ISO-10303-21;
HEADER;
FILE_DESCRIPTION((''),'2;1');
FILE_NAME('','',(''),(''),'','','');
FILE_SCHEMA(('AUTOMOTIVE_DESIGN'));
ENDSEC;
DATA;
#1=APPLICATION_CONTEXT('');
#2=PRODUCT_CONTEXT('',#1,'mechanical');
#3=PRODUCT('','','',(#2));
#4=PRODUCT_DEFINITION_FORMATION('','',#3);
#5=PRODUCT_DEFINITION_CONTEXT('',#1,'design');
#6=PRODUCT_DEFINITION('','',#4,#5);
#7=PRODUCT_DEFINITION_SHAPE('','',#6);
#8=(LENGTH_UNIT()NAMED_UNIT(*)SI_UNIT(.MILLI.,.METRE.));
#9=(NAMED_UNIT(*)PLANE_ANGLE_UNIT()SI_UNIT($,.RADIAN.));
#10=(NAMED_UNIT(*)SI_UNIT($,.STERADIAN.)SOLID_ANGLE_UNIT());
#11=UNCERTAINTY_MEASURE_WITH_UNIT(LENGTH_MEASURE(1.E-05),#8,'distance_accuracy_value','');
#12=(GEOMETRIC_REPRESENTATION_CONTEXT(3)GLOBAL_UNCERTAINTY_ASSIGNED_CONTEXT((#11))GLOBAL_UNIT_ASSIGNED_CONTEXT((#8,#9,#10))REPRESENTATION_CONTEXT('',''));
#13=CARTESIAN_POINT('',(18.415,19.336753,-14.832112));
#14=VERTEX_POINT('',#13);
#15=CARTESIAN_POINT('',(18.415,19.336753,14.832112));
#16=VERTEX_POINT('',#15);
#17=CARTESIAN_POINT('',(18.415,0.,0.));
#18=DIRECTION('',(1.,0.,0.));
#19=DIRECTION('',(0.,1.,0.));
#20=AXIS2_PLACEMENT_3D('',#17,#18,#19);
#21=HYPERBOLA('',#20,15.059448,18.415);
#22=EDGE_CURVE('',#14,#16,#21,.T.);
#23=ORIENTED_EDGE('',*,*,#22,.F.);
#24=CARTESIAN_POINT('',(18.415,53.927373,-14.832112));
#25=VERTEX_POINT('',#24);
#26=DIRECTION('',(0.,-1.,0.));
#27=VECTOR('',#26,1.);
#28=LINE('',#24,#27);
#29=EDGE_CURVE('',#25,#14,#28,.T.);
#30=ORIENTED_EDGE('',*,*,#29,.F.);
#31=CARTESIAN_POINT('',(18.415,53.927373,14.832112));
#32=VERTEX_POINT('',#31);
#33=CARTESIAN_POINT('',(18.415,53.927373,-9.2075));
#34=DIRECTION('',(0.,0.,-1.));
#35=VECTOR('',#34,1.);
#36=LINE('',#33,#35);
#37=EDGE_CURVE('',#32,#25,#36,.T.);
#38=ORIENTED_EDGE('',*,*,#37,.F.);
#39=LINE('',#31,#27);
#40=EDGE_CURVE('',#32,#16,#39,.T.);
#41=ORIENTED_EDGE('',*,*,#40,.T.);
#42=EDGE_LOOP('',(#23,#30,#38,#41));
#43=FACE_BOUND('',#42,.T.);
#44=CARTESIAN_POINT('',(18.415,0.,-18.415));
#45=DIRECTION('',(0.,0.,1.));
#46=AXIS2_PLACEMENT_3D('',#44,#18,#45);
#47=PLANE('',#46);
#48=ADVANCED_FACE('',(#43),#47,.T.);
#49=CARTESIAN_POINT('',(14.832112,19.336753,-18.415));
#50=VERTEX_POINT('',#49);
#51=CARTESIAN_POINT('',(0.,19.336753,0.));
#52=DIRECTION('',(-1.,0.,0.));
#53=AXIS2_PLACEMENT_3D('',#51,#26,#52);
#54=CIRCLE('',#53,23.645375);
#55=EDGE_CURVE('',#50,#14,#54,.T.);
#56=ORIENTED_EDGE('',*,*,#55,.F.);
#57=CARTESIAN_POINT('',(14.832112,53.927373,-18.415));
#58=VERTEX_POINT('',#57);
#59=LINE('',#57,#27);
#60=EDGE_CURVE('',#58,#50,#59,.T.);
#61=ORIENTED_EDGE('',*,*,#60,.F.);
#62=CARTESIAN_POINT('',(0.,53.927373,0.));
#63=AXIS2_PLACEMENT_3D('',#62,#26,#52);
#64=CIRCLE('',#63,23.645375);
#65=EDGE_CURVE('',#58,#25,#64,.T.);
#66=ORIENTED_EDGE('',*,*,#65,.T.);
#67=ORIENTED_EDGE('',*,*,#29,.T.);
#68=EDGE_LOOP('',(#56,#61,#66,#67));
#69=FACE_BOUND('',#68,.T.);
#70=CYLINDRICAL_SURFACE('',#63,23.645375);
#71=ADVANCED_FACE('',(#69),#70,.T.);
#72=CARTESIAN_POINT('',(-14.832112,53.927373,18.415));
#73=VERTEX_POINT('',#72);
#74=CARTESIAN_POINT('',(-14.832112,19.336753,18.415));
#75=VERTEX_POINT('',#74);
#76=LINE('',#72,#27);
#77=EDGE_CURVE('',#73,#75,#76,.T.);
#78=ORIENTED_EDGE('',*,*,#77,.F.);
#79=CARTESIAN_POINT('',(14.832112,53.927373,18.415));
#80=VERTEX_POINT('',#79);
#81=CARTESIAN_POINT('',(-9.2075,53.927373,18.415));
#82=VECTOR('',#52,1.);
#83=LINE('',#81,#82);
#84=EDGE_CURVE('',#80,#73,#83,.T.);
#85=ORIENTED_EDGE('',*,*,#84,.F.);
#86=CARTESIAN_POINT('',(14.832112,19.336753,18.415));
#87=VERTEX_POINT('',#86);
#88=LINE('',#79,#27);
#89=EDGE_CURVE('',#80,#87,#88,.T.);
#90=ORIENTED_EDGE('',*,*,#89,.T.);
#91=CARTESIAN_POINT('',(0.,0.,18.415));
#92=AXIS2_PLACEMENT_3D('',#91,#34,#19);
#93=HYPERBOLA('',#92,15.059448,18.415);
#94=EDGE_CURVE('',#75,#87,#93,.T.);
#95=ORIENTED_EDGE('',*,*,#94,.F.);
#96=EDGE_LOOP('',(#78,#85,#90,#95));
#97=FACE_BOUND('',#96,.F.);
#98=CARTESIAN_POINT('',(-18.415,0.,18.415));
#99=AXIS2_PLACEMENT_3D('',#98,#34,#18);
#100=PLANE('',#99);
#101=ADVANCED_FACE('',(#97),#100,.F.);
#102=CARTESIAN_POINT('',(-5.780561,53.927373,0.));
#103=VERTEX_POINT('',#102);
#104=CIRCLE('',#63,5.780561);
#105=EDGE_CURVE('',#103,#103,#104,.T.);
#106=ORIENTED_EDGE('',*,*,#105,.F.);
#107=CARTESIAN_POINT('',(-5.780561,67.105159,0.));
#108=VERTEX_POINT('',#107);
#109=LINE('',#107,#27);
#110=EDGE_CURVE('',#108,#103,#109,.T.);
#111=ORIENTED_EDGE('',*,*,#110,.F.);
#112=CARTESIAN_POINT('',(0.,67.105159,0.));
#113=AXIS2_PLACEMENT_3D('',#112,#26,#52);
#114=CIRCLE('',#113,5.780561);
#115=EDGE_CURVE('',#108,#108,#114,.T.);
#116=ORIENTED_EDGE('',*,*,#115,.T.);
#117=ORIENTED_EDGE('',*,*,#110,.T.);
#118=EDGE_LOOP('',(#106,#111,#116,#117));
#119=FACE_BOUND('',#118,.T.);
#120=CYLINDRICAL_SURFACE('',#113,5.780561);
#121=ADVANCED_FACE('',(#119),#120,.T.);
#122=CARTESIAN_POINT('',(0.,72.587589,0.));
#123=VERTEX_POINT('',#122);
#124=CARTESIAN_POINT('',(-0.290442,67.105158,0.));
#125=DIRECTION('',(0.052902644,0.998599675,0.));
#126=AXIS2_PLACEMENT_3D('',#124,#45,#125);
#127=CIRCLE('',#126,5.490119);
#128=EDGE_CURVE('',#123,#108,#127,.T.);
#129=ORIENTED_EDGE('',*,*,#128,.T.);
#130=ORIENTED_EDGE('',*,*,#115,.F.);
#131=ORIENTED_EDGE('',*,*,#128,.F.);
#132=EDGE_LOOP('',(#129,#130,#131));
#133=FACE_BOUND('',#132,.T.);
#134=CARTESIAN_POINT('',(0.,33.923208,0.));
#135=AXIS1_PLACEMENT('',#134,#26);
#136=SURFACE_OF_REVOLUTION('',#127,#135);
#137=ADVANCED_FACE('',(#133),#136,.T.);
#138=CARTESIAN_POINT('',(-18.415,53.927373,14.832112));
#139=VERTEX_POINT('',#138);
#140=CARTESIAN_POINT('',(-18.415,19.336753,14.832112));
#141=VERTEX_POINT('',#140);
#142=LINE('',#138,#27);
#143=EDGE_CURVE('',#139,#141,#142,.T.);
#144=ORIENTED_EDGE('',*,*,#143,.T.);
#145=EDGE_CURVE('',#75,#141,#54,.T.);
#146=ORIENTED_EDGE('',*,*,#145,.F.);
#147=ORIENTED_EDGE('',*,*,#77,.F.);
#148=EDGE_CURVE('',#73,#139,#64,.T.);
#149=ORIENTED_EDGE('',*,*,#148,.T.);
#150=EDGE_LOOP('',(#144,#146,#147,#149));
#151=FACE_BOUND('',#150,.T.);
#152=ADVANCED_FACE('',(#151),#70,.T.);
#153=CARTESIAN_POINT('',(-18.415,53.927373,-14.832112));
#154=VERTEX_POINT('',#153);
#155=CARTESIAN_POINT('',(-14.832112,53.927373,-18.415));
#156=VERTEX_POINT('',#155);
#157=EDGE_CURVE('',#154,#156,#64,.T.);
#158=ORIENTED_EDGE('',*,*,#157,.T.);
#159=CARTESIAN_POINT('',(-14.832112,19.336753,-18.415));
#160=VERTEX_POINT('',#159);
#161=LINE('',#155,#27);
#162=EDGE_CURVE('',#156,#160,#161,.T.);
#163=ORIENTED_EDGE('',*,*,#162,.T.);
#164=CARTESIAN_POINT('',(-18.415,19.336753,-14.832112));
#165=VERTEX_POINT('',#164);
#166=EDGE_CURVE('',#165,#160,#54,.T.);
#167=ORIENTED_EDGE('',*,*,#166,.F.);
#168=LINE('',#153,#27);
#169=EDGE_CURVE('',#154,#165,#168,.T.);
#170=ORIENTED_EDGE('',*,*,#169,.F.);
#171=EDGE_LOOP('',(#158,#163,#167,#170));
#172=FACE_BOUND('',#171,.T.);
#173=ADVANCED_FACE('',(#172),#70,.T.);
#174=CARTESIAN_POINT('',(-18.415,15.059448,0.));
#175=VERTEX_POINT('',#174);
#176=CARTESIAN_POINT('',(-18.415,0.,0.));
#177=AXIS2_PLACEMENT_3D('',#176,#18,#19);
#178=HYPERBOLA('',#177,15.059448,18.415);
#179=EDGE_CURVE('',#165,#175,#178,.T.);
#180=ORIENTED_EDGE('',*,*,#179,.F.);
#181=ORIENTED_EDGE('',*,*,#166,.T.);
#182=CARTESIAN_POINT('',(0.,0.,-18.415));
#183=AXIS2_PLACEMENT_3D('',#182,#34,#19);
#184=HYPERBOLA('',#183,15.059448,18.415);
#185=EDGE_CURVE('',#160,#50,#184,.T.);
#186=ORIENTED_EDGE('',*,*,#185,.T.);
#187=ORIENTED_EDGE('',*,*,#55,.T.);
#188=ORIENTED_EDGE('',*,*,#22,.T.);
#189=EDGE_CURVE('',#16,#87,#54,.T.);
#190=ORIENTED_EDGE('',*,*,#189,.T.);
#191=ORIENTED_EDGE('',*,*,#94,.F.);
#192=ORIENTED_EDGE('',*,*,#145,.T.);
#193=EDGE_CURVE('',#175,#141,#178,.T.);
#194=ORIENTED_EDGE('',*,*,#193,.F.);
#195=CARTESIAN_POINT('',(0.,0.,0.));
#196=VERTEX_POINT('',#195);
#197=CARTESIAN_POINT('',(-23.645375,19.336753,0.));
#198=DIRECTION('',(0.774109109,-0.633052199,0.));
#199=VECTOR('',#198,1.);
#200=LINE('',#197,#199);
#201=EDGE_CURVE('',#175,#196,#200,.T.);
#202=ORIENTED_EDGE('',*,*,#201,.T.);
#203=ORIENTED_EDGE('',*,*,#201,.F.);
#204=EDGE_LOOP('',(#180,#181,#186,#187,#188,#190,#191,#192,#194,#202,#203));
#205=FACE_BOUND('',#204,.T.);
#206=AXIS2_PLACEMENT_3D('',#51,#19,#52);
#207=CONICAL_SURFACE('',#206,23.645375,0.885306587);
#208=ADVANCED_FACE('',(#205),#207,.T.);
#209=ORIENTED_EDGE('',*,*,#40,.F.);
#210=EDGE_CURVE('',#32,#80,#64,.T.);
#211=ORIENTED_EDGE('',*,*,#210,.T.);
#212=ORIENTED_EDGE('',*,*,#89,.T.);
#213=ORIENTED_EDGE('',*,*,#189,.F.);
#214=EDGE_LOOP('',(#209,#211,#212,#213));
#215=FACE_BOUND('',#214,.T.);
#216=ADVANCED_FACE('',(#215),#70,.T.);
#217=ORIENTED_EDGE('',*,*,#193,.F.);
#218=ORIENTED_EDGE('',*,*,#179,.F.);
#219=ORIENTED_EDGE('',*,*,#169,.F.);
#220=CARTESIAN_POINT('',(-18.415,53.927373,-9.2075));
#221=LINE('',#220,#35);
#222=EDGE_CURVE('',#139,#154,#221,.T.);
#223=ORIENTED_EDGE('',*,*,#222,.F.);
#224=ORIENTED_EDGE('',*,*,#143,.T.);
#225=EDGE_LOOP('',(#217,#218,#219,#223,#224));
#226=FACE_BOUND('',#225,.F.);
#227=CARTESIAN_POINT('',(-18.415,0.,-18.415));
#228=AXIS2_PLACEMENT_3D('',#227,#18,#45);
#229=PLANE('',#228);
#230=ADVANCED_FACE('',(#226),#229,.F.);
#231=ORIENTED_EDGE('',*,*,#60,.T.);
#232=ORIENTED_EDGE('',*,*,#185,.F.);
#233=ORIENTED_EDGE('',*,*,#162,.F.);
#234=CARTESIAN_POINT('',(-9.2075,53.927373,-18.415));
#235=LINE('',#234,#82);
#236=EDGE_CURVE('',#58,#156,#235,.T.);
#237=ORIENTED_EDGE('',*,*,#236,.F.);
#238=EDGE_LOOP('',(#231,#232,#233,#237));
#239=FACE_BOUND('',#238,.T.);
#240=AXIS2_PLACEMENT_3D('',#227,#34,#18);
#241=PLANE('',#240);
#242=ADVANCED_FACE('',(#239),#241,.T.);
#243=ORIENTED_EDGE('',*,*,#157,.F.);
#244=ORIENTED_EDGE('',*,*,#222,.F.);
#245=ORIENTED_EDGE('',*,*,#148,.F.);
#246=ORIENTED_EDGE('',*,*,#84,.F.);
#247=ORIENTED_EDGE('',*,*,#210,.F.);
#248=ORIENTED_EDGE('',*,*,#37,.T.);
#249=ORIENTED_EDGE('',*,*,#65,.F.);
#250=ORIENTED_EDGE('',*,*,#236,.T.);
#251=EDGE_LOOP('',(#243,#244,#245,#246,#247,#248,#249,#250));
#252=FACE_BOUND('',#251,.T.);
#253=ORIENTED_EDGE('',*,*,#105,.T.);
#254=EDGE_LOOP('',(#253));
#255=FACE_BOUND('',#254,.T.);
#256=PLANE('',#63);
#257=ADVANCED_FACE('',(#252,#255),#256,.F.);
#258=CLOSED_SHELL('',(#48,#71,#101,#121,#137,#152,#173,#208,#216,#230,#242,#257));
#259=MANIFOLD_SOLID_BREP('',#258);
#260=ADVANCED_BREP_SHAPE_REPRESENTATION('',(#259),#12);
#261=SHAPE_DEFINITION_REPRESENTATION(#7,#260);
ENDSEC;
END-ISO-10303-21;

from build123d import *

# Parameters (mm, degrees)
F2_W     = 83.072104
F2_H     = 76.524554
F2_W_2   = 36.83
F2_H_2   = 36.83
F3_DEPTH = 81.534


with BuildPart() as f1:
    # F0 (on Top) → F1 (revolve)
    with BuildSketch(Plane.XY):
        with BuildLine():
            Line((-5.780561, 67.105159), (-5.780561, 53.927373))
            Line((-5.780561, 53.927373), (-23.645375, 53.927373))
            Line((-23.645375, 53.927373), (-23.645375, 19.336753))
            Line((-23.645375, 19.336753), (0, 0))
            Line((0, 0), (0, 67.846416))
            Line((0, 67.846416), (0, 72.587589))
            ThreePointArc((0, 72.587589), (-4.06846, 71.088622), (-5.780561, 67.105159))
        make_face()
    revolve(axis=Axis((0, 33.923208, 0), (0, -1, 0)))

    # F2 (on Front) → F3 (cut)
    with BuildSketch(Plane.XZ):
        Rectangle(F2_W, F2_H)
        Rectangle(F2_W_2, F2_H_2, mode=Mode.SUBTRACT)
    extrude(amount=-F3_DEPTH, mode=Mode.SUBTRACT)


solid = f1.part
